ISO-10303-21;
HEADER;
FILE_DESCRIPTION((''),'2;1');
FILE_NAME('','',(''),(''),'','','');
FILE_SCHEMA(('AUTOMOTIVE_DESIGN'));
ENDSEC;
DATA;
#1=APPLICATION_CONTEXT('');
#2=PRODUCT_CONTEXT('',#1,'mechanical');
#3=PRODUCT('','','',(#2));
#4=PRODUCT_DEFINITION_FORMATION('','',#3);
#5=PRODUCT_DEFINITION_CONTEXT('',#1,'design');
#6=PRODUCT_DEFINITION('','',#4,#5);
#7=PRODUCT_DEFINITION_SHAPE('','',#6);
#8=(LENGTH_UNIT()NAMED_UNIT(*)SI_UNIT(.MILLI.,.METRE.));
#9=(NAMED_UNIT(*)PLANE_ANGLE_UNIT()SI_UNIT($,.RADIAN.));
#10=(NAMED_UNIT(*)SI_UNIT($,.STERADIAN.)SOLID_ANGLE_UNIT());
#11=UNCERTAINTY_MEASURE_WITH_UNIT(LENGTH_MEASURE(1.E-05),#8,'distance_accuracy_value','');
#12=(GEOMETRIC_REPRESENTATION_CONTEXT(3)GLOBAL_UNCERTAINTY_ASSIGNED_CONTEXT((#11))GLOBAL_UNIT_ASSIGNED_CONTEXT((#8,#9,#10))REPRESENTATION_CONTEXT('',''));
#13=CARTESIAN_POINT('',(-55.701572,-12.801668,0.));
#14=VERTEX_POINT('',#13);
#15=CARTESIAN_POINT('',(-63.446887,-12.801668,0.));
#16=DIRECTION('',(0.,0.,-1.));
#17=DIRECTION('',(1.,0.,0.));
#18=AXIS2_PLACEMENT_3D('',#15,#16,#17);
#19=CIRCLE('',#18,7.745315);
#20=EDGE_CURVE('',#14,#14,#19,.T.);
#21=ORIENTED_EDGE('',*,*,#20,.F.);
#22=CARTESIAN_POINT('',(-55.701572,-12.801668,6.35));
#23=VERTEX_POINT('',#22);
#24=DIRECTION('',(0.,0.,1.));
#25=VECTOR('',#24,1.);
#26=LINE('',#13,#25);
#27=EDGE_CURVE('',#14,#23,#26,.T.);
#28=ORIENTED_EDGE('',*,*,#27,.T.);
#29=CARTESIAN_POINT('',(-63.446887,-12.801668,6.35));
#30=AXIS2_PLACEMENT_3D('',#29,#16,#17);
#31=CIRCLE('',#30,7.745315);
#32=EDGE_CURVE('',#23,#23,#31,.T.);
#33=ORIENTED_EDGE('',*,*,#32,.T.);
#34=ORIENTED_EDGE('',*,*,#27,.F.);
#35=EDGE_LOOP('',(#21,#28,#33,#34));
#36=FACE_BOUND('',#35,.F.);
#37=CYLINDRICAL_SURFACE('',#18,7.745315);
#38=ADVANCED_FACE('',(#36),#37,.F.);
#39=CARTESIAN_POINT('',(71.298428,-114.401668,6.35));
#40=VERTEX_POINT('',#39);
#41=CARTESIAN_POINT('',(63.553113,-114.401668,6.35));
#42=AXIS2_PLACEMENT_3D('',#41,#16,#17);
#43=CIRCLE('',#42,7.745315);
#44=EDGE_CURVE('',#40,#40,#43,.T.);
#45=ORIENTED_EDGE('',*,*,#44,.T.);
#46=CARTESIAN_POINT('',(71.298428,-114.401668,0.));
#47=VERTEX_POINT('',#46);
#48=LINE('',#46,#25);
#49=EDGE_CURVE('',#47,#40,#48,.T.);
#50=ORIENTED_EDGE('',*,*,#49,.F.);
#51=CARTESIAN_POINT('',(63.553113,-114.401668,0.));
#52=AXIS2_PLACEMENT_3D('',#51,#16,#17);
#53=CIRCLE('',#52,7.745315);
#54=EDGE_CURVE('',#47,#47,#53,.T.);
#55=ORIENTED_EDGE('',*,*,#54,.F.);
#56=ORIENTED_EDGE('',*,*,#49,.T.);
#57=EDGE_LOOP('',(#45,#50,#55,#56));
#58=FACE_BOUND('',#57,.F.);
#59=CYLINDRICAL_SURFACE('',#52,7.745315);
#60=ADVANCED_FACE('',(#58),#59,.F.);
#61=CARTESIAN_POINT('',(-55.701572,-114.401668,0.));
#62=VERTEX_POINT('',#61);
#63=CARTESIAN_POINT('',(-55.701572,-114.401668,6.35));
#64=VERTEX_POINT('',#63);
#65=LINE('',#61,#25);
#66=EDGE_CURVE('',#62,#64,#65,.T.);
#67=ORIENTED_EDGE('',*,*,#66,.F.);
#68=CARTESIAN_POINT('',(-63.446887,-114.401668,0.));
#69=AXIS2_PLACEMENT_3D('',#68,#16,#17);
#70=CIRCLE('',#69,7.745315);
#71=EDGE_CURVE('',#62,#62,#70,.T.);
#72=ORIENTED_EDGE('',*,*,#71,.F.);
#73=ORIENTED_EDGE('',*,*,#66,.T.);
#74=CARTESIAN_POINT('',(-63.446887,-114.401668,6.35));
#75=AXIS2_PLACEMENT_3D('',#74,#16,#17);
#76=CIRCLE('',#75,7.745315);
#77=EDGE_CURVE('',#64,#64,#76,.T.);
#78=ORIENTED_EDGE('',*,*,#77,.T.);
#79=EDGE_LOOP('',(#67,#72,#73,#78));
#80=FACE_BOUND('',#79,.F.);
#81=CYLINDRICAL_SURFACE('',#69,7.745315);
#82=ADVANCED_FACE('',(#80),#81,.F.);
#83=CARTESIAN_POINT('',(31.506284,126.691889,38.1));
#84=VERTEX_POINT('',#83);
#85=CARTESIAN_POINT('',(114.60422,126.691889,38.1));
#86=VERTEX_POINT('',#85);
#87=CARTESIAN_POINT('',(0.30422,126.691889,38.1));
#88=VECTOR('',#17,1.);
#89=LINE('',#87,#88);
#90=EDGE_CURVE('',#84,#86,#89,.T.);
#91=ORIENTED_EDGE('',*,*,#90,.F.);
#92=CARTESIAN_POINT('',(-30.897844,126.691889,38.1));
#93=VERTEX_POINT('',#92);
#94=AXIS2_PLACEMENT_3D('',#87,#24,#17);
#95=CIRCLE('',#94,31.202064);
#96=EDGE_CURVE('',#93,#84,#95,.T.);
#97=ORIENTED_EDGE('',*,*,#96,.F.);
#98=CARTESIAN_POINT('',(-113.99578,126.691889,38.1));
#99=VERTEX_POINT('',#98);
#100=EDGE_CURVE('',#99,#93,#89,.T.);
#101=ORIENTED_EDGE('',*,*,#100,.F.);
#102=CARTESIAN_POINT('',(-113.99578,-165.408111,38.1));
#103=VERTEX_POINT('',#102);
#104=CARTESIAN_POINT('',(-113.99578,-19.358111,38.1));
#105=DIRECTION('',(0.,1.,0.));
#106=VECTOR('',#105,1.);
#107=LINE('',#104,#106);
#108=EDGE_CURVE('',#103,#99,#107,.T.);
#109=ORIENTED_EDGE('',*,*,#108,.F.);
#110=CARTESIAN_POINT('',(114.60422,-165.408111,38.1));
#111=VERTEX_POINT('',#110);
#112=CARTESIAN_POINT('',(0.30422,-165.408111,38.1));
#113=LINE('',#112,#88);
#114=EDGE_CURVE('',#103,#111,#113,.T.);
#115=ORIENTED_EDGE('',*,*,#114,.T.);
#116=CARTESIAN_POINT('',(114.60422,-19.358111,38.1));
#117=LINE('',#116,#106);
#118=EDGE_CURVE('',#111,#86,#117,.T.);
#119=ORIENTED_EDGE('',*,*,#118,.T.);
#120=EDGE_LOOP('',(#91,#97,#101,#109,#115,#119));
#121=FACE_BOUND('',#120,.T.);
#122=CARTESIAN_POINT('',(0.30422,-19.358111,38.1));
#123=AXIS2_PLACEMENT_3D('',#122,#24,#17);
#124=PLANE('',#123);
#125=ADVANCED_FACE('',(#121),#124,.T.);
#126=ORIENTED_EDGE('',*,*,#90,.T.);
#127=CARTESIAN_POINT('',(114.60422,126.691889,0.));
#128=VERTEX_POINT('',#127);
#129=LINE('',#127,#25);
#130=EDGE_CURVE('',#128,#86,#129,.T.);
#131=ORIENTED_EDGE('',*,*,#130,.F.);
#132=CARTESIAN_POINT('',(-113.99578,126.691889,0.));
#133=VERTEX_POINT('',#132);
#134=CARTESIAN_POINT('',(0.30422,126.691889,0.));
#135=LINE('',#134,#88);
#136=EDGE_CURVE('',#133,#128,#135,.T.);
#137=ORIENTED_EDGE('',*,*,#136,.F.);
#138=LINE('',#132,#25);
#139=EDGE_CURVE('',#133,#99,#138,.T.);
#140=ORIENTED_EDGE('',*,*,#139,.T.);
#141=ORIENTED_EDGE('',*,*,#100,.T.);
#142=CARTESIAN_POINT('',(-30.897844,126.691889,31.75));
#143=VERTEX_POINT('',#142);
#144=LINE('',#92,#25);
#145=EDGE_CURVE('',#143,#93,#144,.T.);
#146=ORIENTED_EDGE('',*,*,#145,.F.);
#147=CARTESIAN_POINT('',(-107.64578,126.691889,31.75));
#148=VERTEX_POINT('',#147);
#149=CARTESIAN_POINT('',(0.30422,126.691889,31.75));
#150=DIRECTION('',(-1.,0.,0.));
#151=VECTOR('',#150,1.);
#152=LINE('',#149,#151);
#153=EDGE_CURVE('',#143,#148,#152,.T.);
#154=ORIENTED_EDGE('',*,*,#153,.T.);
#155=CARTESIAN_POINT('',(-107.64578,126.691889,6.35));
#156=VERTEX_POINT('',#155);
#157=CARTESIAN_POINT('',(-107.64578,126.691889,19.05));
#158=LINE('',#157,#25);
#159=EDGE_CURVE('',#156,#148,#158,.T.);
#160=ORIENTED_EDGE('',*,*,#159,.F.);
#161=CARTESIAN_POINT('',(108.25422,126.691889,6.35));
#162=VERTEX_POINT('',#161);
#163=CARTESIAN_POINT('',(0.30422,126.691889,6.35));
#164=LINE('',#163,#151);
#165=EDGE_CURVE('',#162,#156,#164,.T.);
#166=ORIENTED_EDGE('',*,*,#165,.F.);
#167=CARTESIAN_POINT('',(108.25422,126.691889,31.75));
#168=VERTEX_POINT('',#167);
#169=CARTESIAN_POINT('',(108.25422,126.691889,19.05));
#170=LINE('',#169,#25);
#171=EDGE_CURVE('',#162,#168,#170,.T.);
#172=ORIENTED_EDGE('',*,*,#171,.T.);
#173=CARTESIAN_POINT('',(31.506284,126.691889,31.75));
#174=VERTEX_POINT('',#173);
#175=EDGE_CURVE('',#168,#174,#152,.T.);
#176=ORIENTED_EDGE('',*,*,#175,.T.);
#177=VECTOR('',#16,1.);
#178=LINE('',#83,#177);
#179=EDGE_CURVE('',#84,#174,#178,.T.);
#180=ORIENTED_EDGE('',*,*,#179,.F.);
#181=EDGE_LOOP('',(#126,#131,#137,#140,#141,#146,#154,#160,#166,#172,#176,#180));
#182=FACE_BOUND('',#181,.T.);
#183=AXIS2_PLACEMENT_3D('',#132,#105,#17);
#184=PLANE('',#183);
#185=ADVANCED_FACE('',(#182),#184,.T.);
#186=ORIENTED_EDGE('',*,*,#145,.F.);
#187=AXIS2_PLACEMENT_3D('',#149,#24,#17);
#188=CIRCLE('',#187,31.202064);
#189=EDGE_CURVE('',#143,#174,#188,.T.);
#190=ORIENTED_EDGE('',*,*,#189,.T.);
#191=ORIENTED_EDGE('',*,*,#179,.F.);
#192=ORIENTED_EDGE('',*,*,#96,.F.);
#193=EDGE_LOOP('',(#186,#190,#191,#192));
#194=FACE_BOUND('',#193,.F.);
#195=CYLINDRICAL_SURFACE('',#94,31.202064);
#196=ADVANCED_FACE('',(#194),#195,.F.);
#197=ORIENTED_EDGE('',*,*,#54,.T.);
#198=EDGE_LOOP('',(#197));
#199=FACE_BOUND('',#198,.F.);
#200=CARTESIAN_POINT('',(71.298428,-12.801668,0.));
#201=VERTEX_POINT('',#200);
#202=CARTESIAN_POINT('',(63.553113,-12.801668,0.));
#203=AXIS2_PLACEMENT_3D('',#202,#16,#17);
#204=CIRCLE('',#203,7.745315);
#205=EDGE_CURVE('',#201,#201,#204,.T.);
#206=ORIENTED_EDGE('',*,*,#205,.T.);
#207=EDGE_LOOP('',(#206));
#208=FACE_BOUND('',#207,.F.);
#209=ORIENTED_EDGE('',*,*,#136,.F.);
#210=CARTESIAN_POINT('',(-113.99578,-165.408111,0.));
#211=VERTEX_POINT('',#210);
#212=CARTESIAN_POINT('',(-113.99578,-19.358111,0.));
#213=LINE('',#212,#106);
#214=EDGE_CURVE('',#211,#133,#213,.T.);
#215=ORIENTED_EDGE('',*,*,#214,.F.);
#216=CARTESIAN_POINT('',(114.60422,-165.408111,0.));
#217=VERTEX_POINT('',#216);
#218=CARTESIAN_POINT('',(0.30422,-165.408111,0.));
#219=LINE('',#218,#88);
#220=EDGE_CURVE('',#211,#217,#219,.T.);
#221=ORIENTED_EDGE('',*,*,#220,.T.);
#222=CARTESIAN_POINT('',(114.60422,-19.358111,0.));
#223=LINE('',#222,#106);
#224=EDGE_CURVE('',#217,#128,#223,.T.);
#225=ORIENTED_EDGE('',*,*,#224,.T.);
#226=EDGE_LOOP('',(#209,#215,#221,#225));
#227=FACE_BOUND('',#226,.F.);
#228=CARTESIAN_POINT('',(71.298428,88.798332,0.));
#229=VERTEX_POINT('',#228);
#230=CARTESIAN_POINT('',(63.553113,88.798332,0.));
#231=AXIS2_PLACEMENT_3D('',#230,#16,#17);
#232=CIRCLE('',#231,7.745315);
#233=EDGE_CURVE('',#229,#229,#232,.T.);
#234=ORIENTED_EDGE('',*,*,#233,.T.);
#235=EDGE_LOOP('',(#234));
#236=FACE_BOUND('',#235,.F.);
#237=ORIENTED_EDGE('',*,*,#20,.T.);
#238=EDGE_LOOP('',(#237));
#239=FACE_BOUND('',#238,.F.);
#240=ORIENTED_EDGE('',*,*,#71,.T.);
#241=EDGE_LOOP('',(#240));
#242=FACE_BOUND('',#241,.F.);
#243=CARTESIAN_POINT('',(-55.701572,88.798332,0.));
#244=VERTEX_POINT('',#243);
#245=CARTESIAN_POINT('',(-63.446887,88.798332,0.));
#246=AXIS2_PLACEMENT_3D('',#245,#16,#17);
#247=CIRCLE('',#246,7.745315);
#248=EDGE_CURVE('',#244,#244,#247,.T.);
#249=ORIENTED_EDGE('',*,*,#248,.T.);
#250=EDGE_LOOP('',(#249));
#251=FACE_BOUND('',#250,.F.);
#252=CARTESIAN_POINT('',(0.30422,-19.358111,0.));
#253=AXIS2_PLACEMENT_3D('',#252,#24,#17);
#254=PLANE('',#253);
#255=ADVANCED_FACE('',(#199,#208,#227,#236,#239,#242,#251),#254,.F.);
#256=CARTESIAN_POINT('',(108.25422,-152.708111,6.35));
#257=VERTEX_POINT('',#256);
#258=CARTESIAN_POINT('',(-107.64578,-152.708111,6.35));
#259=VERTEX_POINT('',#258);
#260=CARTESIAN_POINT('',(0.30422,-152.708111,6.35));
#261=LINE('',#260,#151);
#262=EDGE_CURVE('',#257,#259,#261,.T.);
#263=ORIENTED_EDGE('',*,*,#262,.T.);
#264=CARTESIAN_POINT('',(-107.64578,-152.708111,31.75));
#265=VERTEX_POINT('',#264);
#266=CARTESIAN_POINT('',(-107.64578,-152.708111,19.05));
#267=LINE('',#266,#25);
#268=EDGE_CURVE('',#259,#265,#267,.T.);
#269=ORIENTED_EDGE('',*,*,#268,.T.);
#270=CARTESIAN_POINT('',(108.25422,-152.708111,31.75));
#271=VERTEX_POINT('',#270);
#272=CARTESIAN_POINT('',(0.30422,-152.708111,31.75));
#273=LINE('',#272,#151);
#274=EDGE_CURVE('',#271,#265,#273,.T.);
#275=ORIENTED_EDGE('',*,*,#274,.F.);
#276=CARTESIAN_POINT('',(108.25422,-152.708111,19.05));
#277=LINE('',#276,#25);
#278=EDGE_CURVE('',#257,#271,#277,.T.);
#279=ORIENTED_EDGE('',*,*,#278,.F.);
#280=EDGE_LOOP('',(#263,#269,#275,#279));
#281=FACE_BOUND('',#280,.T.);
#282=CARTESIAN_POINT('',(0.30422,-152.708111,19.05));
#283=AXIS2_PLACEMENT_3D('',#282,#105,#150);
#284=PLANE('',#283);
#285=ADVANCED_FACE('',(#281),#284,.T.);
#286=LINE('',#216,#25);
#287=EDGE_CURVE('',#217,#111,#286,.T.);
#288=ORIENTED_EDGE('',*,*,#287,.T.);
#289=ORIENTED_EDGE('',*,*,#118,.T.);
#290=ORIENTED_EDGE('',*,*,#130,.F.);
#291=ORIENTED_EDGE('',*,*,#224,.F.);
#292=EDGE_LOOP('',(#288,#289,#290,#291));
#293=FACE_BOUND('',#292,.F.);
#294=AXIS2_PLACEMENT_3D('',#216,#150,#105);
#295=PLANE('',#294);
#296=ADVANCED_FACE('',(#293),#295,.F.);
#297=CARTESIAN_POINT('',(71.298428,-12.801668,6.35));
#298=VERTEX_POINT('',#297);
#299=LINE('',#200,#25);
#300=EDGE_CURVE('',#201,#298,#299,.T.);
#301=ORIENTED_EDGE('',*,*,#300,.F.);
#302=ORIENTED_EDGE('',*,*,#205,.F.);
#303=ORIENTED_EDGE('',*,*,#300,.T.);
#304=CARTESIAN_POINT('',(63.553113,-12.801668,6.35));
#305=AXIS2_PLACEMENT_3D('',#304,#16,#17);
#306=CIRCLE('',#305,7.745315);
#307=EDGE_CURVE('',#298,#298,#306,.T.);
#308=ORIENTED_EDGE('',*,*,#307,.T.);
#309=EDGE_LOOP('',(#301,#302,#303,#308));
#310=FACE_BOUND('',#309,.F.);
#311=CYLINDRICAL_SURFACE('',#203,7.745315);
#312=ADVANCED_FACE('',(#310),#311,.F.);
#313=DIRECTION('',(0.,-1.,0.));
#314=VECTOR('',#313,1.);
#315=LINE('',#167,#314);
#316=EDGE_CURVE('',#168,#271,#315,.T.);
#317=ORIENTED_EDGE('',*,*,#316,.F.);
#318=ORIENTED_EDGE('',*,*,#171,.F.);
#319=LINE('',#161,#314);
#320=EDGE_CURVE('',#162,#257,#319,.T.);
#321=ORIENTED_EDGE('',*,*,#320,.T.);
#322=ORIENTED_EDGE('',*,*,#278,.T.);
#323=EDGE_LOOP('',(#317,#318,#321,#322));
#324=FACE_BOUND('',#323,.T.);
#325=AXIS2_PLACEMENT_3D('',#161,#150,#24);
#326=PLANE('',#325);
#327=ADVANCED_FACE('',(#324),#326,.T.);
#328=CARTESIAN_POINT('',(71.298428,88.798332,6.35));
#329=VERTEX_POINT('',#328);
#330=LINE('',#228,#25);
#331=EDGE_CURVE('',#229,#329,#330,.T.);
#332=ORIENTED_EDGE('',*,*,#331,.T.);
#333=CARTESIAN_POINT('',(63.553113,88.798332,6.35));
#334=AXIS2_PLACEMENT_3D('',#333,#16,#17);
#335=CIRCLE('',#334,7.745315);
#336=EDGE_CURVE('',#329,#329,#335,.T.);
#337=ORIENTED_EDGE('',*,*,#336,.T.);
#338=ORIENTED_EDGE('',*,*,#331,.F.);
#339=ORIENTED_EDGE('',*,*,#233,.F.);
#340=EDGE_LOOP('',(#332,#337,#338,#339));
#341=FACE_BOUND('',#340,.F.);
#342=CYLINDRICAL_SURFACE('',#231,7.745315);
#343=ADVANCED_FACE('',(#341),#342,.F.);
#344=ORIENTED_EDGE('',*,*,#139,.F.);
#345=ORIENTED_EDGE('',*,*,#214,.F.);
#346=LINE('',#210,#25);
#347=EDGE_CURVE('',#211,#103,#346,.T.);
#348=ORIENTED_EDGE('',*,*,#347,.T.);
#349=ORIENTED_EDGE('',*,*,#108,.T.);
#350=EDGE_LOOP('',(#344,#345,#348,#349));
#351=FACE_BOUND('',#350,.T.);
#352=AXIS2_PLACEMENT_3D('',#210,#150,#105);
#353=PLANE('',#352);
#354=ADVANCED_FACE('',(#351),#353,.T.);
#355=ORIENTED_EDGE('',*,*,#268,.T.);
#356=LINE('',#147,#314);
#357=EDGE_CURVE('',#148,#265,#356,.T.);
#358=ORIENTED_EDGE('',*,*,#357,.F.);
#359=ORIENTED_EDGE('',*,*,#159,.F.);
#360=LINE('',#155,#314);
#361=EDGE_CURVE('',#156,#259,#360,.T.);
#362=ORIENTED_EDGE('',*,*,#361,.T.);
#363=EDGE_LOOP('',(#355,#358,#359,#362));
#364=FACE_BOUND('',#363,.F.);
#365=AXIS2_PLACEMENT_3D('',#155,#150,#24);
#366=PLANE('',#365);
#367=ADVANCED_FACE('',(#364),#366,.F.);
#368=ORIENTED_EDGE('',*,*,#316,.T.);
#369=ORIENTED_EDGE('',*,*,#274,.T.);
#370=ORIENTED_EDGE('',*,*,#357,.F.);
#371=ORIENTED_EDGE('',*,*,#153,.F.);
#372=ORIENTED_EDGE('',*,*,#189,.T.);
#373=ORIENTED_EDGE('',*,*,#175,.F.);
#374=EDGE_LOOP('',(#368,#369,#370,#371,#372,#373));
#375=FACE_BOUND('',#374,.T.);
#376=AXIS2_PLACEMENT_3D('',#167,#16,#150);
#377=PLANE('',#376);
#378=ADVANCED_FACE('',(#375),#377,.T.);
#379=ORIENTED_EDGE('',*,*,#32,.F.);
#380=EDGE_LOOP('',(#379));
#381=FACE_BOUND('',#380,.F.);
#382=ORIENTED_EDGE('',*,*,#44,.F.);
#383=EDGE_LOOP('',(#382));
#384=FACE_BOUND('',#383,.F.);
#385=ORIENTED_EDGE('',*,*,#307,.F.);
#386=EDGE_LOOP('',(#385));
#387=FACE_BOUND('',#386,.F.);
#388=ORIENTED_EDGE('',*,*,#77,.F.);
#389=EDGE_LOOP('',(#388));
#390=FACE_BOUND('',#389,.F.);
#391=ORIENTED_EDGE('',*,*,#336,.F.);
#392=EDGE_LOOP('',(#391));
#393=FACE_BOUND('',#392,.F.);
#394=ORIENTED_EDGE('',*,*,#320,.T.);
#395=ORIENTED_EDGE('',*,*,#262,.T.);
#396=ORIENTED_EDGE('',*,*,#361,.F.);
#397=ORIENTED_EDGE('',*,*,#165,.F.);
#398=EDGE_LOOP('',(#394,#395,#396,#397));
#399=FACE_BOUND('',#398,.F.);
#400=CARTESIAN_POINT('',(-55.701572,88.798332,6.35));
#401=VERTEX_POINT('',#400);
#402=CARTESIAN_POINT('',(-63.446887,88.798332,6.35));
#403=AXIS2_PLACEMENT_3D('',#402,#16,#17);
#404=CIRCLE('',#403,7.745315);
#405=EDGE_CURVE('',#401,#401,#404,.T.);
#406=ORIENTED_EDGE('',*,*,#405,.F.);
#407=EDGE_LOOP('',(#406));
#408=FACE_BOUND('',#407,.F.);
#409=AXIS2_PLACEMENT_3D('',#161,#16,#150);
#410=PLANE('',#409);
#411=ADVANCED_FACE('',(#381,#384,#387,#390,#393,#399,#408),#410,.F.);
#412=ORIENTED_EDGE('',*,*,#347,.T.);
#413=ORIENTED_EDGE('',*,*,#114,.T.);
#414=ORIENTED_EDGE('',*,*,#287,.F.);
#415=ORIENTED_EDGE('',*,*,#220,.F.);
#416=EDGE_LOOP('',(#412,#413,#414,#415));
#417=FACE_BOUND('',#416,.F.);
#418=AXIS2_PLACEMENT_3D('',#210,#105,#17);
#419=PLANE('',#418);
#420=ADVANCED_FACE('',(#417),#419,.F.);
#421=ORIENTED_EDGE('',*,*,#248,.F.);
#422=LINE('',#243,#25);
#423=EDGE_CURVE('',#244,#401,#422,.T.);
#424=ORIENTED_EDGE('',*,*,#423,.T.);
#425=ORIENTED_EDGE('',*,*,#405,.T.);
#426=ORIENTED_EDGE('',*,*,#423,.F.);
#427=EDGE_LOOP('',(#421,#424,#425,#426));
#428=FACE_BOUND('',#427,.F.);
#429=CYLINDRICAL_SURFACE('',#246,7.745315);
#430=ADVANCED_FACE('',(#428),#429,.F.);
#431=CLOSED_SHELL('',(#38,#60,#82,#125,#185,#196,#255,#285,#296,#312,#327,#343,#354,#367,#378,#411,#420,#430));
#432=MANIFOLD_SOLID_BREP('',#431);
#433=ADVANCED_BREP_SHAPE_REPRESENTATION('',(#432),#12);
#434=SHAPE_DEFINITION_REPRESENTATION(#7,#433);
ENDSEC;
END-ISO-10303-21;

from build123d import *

# Parameters (mm, degrees)
F0_W     = 228.6
F0_H     = 292.1
F1_DEPTH = 38.1
F2_W     = 215.9
F2_H     = 25.4
F3_DEPTH = 279.4
F4_R     = 31.202064
F5_DEPTH = 6.35
F6_R     = 7.745315
F7_DEPTH = 6.35


with BuildPart() as f1:
    # F0 (on Top) → F1 (new body)
    with BuildSketch(Plane.XY):
        with Locations((0.30422, -19.358111)):
            Rectangle(F0_W, F0_H)
    extrude(amount=F1_DEPTH)

    # F2 (on face) → F3 (cut)
    with BuildSketch(Plane(origin=(0, 126.691889, 0), x_dir=(-1, 0, 0), z_dir=(0, 1, 0))):
        with Locations((-0.30422, 19.05)):
            Rectangle(F2_W, F2_H)
    extrude(amount=-F3_DEPTH, mode=Mode.SUBTRACT)

    # F4 (on face) → F5 (cut)
    with BuildSketch(Plane.XY.offset(38.1)):
        with Locations((0.30422, 126.691889)):
            Circle(F4_R)
    extrude(amount=-F5_DEPTH, mode=Mode.SUBTRACT)

    # F6 (on face) → F7 (cut)
    with BuildSketch(Plane(origin=(0, 0, 0), x_dir=(1, 0, 0), z_dir=(0, 0, -1))):
        with Locations((-63.446887, 114.401668)):
            Circle(F6_R)
        with Locations((-63.446887, 12.801668)):
            Circle(F6_R)
        with Locations((-63.446887, -88.798332)):
            Circle(F6_R)
        with Locations((63.553113, 114.401668)):
            Circle(F6_R)
        with Locations((63.553113, 12.801668)):
            Circle(F6_R)
        with Locations((63.553113, -88.798332)):
            Circle(F6_R)
    extrude(amount=-F7_DEPTH, mode=Mode.SUBTRACT)


solid = f1.part
